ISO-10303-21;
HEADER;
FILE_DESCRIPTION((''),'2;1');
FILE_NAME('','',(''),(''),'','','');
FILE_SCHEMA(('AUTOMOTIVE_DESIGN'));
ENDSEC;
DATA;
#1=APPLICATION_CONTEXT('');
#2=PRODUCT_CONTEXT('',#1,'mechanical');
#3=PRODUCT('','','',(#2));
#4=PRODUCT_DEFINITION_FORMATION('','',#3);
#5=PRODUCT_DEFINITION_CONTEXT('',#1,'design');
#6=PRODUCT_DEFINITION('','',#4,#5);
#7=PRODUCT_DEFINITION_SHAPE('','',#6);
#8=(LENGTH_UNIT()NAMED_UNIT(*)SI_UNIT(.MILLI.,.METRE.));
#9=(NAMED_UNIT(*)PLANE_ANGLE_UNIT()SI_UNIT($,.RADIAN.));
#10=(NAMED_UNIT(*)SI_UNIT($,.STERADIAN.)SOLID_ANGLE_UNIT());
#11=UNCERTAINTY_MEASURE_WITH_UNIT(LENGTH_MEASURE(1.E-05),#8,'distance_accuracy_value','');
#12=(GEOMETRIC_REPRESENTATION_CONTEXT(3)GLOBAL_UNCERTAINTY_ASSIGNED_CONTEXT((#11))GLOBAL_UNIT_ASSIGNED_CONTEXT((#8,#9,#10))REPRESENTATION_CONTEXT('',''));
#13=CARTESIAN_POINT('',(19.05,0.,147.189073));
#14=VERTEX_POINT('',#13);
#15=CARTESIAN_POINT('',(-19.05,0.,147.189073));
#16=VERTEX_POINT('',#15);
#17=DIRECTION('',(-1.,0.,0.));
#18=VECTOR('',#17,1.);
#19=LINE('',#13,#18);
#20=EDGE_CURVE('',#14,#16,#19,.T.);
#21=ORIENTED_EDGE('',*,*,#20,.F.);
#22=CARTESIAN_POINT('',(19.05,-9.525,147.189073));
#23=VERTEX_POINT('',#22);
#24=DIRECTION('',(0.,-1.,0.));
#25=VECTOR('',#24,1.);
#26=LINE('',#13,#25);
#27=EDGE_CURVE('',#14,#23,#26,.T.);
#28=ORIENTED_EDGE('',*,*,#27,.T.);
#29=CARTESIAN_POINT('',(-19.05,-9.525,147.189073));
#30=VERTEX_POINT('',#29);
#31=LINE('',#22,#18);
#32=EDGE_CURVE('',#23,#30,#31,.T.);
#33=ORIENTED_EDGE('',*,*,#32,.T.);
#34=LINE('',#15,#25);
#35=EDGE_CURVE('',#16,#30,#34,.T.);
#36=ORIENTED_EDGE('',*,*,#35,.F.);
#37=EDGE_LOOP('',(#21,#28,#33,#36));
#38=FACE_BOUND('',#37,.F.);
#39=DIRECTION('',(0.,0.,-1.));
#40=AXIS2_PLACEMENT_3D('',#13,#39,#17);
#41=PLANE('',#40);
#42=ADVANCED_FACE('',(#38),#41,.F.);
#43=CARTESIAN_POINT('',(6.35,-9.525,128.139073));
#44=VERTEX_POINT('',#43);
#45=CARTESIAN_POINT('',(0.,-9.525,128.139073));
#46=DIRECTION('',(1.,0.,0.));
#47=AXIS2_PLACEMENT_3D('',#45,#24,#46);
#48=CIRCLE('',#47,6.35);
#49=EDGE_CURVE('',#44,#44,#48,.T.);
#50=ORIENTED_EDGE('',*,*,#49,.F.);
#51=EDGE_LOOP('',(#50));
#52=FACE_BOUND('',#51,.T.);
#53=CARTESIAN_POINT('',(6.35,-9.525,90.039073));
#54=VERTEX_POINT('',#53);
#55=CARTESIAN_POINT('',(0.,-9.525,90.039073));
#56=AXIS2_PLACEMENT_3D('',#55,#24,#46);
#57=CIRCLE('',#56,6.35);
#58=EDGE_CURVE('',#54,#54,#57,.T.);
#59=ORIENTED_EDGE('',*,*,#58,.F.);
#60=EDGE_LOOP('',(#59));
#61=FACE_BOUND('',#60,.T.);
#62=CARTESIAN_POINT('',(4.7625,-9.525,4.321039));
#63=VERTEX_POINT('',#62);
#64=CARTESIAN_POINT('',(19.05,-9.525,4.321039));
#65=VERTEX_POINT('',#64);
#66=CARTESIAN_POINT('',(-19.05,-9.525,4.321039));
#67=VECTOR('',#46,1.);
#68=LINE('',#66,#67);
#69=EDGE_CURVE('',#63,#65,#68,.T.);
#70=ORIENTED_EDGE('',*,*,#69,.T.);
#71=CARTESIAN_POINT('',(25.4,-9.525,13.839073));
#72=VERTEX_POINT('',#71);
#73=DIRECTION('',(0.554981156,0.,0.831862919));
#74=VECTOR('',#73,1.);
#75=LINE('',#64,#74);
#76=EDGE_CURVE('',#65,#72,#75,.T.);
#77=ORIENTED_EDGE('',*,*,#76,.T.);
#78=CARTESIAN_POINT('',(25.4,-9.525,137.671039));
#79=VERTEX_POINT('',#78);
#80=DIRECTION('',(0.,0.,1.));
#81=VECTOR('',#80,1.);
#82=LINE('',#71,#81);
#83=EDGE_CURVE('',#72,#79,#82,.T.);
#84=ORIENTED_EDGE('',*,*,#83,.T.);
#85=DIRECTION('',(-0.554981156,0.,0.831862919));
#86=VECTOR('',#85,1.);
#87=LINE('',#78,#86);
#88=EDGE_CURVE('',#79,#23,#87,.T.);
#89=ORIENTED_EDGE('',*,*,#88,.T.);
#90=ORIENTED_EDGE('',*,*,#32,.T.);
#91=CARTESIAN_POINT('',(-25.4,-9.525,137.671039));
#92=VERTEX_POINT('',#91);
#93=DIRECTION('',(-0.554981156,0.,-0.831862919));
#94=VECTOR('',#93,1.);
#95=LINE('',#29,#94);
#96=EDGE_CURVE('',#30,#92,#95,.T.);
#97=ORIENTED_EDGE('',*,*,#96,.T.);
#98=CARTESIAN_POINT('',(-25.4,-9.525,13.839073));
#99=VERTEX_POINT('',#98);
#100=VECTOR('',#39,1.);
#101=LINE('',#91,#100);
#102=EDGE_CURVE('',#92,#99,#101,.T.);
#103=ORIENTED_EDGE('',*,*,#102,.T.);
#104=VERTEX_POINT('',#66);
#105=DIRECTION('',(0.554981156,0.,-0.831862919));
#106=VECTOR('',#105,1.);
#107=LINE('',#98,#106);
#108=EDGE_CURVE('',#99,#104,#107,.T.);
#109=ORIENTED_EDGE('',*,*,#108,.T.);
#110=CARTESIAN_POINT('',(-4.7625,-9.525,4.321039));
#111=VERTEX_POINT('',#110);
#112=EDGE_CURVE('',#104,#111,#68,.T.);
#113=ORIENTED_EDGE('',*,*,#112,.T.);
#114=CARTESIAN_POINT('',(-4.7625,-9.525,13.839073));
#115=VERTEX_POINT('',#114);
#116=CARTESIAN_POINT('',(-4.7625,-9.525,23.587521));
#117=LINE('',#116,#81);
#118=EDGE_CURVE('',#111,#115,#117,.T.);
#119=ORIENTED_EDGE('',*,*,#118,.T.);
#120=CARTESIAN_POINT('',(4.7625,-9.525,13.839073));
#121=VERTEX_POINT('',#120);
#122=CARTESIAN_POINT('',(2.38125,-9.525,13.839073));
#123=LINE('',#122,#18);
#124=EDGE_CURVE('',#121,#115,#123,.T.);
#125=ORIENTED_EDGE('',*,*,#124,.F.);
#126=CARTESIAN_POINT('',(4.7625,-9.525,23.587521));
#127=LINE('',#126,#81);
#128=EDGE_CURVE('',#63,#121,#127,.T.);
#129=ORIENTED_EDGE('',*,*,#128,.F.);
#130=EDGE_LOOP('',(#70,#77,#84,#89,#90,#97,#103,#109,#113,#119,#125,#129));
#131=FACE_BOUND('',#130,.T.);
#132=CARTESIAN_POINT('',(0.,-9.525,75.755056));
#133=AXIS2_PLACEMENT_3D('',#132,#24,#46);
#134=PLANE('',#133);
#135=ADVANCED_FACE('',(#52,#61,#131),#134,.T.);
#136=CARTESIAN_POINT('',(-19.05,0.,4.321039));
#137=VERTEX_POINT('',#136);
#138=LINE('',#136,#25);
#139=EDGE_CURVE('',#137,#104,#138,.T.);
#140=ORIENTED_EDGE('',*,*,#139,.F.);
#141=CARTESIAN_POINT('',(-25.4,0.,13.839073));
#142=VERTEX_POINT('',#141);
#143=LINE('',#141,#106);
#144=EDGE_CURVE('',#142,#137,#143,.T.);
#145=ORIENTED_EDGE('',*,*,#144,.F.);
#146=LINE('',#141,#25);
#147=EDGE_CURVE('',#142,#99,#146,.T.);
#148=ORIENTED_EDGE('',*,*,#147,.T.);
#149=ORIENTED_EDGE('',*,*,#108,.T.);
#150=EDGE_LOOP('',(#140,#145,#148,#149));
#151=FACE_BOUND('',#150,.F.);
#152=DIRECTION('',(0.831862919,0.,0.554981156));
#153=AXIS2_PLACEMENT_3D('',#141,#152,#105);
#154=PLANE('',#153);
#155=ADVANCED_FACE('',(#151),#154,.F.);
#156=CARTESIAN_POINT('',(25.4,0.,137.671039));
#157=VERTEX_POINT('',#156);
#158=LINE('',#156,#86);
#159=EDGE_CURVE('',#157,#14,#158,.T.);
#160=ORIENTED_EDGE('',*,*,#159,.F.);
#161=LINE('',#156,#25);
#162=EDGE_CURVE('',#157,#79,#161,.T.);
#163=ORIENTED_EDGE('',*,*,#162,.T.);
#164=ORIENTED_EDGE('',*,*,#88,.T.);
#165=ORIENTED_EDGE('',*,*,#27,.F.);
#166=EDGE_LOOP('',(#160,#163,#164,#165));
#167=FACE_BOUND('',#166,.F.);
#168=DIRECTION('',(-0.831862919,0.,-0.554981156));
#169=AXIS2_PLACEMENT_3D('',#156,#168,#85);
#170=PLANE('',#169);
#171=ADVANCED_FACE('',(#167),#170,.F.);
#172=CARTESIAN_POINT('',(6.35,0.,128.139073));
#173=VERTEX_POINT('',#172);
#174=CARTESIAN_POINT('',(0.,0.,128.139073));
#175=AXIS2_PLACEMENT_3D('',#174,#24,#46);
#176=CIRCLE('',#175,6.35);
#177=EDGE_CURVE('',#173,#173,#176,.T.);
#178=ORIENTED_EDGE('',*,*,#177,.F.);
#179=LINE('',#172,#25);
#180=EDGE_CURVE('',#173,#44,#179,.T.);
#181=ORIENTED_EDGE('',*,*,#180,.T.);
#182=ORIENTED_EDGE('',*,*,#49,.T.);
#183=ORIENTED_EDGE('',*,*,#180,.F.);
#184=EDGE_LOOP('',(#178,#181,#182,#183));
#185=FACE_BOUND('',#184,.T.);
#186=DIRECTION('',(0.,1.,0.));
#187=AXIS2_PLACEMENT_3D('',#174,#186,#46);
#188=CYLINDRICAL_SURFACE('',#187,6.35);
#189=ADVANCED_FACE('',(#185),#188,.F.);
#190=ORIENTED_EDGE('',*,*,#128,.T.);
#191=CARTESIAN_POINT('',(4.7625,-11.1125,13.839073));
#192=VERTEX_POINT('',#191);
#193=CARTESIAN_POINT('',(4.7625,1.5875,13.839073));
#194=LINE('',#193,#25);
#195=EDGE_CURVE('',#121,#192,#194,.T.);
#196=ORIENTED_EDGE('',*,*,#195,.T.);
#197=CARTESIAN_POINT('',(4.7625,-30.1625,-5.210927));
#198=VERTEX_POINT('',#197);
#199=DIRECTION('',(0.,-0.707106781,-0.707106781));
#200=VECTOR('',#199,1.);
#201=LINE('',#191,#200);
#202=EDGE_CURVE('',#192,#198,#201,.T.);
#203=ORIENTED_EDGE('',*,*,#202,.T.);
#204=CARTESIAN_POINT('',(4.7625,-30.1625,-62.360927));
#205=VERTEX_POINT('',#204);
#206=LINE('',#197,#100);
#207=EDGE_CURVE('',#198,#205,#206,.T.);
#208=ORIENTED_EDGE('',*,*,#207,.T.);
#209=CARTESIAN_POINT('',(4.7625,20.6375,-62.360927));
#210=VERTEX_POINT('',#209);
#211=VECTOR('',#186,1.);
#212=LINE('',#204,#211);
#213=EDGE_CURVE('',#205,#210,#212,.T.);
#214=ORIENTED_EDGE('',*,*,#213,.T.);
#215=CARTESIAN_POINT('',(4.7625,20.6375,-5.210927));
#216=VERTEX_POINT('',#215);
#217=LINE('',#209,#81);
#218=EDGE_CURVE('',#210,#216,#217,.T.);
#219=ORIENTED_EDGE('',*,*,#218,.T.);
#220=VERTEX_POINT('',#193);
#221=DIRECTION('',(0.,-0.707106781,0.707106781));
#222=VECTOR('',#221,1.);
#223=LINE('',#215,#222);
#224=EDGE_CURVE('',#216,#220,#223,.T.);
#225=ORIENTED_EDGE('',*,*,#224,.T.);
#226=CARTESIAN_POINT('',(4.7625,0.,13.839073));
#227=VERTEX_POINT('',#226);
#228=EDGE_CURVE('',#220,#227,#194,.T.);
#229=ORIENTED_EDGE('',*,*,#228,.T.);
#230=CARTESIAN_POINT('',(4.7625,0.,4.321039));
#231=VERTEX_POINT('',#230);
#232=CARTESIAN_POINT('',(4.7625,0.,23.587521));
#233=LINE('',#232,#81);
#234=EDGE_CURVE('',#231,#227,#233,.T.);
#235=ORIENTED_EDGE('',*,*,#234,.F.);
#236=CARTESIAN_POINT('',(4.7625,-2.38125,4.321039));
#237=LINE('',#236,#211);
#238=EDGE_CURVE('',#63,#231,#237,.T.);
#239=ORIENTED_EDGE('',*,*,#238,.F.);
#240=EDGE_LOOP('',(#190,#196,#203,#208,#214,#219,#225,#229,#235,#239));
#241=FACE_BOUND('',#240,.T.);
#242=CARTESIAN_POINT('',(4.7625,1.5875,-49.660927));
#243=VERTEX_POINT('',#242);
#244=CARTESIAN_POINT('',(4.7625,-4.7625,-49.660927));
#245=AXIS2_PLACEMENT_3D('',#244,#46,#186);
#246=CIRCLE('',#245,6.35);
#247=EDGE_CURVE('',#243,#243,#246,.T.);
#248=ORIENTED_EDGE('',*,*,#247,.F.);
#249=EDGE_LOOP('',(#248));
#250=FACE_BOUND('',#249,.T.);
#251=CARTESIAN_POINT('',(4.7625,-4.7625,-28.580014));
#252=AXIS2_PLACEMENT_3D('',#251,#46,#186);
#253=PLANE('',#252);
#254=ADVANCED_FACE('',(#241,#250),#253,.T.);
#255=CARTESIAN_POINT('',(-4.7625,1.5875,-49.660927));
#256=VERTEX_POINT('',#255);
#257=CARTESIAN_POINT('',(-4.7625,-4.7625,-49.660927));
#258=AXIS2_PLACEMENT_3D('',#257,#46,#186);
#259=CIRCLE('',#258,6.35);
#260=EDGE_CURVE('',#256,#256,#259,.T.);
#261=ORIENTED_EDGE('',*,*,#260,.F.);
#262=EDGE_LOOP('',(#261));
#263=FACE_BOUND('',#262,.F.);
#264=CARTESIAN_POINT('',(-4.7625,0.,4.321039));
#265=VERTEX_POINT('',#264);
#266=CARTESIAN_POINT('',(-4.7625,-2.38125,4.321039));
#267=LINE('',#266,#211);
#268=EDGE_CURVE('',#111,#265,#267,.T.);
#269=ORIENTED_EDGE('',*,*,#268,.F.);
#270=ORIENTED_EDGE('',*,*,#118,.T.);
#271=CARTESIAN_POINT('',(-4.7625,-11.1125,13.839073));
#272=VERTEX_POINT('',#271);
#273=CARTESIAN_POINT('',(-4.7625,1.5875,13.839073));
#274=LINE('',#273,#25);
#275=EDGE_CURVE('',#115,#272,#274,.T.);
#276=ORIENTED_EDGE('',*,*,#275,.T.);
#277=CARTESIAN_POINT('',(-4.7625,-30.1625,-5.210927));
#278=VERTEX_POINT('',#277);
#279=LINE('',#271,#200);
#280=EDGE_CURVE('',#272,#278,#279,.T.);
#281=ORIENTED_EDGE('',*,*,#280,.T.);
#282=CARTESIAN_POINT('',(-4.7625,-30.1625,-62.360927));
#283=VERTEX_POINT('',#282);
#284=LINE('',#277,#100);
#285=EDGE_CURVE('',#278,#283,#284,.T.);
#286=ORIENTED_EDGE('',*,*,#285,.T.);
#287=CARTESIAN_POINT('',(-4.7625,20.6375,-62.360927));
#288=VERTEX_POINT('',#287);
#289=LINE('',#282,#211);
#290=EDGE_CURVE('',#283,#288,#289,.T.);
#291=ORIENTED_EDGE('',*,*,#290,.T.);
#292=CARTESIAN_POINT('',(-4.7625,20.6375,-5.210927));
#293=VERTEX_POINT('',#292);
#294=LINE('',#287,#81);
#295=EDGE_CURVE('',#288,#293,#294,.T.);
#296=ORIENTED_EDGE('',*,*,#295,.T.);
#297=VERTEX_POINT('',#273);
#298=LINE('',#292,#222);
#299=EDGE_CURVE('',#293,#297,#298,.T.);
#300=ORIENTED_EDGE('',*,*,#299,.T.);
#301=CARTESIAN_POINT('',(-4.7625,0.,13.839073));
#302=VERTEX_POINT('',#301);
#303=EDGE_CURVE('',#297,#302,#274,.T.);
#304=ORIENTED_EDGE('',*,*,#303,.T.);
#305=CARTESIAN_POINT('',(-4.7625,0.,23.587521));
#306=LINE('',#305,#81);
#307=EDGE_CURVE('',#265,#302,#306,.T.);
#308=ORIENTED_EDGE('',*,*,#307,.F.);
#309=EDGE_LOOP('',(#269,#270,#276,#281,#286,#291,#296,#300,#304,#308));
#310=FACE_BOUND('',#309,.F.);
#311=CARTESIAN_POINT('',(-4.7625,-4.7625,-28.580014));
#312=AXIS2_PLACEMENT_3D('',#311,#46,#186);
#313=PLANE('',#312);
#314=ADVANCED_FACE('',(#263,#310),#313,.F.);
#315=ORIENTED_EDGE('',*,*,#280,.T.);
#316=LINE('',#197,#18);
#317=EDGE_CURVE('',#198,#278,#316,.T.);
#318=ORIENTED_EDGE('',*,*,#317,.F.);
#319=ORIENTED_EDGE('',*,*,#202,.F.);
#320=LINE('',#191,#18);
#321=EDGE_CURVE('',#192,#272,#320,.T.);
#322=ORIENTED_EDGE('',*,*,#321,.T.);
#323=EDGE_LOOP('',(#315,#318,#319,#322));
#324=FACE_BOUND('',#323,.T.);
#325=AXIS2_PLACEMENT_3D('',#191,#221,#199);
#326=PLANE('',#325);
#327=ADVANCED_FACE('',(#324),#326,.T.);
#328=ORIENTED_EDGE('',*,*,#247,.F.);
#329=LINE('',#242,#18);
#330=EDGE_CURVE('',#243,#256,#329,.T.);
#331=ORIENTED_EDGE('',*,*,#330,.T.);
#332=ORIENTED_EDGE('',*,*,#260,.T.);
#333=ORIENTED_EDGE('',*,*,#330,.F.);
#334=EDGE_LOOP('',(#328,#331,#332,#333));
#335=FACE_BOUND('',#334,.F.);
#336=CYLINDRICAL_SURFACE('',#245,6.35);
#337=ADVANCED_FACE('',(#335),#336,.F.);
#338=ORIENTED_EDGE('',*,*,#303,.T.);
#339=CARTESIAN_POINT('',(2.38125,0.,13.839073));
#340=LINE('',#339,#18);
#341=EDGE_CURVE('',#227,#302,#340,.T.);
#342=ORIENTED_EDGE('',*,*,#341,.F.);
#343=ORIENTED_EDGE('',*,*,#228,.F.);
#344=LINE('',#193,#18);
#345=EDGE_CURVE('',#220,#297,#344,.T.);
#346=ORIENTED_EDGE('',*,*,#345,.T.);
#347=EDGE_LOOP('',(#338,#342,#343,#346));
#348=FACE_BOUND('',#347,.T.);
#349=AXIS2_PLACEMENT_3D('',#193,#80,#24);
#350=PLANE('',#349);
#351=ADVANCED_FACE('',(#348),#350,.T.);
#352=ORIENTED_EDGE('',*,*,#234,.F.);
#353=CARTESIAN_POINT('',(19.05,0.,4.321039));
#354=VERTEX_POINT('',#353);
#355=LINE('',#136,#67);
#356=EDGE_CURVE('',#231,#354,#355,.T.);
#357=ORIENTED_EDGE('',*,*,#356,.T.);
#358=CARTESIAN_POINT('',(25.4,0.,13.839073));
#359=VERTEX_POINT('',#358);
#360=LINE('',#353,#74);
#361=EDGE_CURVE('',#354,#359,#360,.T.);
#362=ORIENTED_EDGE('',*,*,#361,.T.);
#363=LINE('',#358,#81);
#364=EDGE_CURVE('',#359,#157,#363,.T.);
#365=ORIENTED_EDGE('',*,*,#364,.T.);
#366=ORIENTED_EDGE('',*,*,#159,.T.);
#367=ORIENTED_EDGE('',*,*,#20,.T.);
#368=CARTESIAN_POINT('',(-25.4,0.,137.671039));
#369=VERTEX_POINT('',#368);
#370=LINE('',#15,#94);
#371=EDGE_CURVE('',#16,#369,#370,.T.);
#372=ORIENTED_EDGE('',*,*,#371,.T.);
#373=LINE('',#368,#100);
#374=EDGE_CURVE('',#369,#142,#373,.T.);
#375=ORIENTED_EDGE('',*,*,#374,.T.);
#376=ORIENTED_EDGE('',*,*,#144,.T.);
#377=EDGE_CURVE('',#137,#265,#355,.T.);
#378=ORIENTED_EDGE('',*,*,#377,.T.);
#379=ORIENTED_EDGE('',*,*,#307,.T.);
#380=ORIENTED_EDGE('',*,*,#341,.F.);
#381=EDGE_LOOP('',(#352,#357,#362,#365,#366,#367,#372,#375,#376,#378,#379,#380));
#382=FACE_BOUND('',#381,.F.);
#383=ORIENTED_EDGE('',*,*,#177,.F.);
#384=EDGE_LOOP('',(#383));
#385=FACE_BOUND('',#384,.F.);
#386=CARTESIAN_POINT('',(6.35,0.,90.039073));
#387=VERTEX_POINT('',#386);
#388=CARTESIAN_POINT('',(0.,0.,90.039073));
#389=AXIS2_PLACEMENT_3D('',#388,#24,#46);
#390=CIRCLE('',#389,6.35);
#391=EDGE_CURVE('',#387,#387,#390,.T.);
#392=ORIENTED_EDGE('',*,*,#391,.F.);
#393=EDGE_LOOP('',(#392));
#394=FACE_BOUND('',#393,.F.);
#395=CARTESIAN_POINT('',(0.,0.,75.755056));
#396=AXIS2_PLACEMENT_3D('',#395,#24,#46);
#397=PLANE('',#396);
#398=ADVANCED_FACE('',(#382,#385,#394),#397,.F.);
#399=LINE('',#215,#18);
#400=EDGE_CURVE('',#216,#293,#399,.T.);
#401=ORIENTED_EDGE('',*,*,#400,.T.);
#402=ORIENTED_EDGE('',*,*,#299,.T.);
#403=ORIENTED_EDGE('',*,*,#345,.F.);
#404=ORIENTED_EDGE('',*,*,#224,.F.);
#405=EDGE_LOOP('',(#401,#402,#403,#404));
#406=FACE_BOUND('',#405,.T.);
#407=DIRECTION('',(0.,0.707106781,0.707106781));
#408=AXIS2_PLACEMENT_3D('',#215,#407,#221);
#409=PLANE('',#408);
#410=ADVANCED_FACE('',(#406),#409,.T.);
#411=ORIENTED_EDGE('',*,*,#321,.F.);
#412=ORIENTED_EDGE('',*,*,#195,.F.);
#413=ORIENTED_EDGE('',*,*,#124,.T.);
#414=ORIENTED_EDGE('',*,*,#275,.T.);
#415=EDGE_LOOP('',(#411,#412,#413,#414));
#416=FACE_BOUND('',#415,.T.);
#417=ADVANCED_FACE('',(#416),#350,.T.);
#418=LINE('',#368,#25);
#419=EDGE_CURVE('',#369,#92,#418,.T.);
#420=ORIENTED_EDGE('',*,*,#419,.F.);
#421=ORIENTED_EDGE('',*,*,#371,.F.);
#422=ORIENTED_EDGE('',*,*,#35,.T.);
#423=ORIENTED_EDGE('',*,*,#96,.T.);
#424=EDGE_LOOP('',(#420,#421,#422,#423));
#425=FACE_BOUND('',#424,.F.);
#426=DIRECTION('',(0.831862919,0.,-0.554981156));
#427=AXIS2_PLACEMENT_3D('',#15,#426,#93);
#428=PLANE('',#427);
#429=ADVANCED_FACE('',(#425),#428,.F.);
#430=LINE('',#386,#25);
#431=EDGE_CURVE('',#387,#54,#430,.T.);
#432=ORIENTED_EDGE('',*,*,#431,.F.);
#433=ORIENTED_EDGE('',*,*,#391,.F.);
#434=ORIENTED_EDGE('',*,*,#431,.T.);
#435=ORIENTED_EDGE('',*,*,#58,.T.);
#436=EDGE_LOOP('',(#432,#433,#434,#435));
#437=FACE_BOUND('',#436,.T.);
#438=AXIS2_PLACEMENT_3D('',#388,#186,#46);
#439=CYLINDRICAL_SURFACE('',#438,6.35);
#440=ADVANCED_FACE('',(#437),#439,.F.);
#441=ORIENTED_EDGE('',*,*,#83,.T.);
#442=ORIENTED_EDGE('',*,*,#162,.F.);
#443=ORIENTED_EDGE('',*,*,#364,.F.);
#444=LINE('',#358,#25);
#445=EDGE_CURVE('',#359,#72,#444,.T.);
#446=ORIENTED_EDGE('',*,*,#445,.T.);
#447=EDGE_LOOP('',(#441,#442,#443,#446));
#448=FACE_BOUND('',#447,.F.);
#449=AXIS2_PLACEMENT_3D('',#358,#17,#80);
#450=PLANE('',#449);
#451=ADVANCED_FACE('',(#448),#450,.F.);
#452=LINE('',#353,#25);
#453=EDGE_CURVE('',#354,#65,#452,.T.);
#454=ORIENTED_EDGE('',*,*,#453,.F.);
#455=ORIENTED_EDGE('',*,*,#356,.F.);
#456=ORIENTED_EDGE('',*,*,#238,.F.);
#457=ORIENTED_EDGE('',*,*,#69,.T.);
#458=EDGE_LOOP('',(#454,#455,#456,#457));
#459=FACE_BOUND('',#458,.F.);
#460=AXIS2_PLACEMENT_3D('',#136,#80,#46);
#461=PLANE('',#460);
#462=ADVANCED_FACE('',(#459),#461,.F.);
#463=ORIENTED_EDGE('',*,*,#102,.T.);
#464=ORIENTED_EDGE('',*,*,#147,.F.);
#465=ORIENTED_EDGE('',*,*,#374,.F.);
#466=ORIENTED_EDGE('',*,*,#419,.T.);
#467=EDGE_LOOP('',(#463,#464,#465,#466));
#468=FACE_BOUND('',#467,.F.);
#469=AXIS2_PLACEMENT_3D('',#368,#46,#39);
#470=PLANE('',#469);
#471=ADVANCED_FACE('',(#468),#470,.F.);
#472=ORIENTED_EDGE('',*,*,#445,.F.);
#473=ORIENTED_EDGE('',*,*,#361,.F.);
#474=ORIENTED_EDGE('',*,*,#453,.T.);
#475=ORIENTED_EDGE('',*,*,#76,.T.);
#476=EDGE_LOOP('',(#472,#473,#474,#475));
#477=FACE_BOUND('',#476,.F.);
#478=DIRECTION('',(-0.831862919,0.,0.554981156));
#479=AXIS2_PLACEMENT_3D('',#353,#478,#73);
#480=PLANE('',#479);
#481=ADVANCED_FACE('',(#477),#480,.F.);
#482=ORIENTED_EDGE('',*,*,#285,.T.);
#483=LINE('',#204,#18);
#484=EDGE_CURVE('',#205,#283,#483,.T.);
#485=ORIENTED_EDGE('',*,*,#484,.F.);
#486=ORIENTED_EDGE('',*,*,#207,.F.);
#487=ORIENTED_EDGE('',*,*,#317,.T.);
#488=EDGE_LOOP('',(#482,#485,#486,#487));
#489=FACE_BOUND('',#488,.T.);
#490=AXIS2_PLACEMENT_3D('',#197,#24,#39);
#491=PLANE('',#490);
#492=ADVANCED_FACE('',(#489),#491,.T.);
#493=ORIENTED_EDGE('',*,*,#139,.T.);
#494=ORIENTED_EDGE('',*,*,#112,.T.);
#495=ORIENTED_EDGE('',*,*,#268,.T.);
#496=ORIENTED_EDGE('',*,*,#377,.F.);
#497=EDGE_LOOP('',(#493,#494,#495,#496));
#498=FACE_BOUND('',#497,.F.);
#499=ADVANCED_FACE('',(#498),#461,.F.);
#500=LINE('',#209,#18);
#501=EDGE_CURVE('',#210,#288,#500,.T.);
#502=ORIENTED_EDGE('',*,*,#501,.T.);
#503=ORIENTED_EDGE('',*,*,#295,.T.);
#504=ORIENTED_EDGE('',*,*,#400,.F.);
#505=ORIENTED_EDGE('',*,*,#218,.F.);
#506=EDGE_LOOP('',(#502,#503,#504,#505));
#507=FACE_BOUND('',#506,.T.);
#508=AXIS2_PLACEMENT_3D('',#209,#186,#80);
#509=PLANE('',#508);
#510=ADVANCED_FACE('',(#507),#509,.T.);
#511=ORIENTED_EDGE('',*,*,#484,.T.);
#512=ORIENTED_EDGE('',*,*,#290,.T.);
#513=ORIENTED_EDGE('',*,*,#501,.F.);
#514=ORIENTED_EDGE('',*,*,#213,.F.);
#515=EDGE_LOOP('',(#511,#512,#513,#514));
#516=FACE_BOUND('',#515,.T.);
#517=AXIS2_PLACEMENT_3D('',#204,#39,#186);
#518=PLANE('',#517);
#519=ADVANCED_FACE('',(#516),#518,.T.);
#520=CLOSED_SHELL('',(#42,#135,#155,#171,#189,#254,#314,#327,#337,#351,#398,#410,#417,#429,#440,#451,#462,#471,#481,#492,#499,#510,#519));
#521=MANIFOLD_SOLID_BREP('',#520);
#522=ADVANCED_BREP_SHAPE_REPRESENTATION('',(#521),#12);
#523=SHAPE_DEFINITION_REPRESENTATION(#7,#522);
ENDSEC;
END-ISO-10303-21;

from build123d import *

# Parameters (mm, degrees)
F0_R     = 6.35
F1_DEPTH = 9.525
F3_START = -20.6375
F2_R     = 6.35
F3_DEPTH = 9.525


with BuildPart() as f1:
    # F0 (on Front) → F1 (new body)
    with BuildSketch(Plane.XZ):
        Polygon((-19.05, 147.1890725479), (-25.4, 137.6710385084), (-25.4, 75.7550555281), (-25.4, 13.8390725479), (-19.05, 4.3210385084), (19.05, 4.3210385084), (25.4, 13.8390725479), (25.4, 75.7550555281), (25.4, 137.6710385084), (19.05, 147.1890725479), align=None)
        with Locations((0, 90.0390725479)):
            Circle(F0_R, mode=Mode.SUBTRACT)
        with Locations((0, 128.1390725479)):
            Circle(F0_R, mode=Mode.SUBTRACT)
    extrude(amount=F1_DEPTH)

    # F2 (on face) → F3 (join)
    with BuildSketch(Plane.YZ.offset(25.4).offset(F3_START)):
        Polygon((-9.525, 13.8390725479), (-11.1125, 13.8390725479), (-30.1625, -5.2109274521), (-30.1625, -62.3609274521), (20.6375, -62.3609274521), (20.6375, -5.2109274521), (1.5875, 13.8390725479), (0, 13.8390725479), align=None)
        with Locations((-4.7625, -49.6609274521)):
            Circle(F2_R, mode=Mode.SUBTRACT)
    extrude(amount=-F3_DEPTH)


solid = f1.part
